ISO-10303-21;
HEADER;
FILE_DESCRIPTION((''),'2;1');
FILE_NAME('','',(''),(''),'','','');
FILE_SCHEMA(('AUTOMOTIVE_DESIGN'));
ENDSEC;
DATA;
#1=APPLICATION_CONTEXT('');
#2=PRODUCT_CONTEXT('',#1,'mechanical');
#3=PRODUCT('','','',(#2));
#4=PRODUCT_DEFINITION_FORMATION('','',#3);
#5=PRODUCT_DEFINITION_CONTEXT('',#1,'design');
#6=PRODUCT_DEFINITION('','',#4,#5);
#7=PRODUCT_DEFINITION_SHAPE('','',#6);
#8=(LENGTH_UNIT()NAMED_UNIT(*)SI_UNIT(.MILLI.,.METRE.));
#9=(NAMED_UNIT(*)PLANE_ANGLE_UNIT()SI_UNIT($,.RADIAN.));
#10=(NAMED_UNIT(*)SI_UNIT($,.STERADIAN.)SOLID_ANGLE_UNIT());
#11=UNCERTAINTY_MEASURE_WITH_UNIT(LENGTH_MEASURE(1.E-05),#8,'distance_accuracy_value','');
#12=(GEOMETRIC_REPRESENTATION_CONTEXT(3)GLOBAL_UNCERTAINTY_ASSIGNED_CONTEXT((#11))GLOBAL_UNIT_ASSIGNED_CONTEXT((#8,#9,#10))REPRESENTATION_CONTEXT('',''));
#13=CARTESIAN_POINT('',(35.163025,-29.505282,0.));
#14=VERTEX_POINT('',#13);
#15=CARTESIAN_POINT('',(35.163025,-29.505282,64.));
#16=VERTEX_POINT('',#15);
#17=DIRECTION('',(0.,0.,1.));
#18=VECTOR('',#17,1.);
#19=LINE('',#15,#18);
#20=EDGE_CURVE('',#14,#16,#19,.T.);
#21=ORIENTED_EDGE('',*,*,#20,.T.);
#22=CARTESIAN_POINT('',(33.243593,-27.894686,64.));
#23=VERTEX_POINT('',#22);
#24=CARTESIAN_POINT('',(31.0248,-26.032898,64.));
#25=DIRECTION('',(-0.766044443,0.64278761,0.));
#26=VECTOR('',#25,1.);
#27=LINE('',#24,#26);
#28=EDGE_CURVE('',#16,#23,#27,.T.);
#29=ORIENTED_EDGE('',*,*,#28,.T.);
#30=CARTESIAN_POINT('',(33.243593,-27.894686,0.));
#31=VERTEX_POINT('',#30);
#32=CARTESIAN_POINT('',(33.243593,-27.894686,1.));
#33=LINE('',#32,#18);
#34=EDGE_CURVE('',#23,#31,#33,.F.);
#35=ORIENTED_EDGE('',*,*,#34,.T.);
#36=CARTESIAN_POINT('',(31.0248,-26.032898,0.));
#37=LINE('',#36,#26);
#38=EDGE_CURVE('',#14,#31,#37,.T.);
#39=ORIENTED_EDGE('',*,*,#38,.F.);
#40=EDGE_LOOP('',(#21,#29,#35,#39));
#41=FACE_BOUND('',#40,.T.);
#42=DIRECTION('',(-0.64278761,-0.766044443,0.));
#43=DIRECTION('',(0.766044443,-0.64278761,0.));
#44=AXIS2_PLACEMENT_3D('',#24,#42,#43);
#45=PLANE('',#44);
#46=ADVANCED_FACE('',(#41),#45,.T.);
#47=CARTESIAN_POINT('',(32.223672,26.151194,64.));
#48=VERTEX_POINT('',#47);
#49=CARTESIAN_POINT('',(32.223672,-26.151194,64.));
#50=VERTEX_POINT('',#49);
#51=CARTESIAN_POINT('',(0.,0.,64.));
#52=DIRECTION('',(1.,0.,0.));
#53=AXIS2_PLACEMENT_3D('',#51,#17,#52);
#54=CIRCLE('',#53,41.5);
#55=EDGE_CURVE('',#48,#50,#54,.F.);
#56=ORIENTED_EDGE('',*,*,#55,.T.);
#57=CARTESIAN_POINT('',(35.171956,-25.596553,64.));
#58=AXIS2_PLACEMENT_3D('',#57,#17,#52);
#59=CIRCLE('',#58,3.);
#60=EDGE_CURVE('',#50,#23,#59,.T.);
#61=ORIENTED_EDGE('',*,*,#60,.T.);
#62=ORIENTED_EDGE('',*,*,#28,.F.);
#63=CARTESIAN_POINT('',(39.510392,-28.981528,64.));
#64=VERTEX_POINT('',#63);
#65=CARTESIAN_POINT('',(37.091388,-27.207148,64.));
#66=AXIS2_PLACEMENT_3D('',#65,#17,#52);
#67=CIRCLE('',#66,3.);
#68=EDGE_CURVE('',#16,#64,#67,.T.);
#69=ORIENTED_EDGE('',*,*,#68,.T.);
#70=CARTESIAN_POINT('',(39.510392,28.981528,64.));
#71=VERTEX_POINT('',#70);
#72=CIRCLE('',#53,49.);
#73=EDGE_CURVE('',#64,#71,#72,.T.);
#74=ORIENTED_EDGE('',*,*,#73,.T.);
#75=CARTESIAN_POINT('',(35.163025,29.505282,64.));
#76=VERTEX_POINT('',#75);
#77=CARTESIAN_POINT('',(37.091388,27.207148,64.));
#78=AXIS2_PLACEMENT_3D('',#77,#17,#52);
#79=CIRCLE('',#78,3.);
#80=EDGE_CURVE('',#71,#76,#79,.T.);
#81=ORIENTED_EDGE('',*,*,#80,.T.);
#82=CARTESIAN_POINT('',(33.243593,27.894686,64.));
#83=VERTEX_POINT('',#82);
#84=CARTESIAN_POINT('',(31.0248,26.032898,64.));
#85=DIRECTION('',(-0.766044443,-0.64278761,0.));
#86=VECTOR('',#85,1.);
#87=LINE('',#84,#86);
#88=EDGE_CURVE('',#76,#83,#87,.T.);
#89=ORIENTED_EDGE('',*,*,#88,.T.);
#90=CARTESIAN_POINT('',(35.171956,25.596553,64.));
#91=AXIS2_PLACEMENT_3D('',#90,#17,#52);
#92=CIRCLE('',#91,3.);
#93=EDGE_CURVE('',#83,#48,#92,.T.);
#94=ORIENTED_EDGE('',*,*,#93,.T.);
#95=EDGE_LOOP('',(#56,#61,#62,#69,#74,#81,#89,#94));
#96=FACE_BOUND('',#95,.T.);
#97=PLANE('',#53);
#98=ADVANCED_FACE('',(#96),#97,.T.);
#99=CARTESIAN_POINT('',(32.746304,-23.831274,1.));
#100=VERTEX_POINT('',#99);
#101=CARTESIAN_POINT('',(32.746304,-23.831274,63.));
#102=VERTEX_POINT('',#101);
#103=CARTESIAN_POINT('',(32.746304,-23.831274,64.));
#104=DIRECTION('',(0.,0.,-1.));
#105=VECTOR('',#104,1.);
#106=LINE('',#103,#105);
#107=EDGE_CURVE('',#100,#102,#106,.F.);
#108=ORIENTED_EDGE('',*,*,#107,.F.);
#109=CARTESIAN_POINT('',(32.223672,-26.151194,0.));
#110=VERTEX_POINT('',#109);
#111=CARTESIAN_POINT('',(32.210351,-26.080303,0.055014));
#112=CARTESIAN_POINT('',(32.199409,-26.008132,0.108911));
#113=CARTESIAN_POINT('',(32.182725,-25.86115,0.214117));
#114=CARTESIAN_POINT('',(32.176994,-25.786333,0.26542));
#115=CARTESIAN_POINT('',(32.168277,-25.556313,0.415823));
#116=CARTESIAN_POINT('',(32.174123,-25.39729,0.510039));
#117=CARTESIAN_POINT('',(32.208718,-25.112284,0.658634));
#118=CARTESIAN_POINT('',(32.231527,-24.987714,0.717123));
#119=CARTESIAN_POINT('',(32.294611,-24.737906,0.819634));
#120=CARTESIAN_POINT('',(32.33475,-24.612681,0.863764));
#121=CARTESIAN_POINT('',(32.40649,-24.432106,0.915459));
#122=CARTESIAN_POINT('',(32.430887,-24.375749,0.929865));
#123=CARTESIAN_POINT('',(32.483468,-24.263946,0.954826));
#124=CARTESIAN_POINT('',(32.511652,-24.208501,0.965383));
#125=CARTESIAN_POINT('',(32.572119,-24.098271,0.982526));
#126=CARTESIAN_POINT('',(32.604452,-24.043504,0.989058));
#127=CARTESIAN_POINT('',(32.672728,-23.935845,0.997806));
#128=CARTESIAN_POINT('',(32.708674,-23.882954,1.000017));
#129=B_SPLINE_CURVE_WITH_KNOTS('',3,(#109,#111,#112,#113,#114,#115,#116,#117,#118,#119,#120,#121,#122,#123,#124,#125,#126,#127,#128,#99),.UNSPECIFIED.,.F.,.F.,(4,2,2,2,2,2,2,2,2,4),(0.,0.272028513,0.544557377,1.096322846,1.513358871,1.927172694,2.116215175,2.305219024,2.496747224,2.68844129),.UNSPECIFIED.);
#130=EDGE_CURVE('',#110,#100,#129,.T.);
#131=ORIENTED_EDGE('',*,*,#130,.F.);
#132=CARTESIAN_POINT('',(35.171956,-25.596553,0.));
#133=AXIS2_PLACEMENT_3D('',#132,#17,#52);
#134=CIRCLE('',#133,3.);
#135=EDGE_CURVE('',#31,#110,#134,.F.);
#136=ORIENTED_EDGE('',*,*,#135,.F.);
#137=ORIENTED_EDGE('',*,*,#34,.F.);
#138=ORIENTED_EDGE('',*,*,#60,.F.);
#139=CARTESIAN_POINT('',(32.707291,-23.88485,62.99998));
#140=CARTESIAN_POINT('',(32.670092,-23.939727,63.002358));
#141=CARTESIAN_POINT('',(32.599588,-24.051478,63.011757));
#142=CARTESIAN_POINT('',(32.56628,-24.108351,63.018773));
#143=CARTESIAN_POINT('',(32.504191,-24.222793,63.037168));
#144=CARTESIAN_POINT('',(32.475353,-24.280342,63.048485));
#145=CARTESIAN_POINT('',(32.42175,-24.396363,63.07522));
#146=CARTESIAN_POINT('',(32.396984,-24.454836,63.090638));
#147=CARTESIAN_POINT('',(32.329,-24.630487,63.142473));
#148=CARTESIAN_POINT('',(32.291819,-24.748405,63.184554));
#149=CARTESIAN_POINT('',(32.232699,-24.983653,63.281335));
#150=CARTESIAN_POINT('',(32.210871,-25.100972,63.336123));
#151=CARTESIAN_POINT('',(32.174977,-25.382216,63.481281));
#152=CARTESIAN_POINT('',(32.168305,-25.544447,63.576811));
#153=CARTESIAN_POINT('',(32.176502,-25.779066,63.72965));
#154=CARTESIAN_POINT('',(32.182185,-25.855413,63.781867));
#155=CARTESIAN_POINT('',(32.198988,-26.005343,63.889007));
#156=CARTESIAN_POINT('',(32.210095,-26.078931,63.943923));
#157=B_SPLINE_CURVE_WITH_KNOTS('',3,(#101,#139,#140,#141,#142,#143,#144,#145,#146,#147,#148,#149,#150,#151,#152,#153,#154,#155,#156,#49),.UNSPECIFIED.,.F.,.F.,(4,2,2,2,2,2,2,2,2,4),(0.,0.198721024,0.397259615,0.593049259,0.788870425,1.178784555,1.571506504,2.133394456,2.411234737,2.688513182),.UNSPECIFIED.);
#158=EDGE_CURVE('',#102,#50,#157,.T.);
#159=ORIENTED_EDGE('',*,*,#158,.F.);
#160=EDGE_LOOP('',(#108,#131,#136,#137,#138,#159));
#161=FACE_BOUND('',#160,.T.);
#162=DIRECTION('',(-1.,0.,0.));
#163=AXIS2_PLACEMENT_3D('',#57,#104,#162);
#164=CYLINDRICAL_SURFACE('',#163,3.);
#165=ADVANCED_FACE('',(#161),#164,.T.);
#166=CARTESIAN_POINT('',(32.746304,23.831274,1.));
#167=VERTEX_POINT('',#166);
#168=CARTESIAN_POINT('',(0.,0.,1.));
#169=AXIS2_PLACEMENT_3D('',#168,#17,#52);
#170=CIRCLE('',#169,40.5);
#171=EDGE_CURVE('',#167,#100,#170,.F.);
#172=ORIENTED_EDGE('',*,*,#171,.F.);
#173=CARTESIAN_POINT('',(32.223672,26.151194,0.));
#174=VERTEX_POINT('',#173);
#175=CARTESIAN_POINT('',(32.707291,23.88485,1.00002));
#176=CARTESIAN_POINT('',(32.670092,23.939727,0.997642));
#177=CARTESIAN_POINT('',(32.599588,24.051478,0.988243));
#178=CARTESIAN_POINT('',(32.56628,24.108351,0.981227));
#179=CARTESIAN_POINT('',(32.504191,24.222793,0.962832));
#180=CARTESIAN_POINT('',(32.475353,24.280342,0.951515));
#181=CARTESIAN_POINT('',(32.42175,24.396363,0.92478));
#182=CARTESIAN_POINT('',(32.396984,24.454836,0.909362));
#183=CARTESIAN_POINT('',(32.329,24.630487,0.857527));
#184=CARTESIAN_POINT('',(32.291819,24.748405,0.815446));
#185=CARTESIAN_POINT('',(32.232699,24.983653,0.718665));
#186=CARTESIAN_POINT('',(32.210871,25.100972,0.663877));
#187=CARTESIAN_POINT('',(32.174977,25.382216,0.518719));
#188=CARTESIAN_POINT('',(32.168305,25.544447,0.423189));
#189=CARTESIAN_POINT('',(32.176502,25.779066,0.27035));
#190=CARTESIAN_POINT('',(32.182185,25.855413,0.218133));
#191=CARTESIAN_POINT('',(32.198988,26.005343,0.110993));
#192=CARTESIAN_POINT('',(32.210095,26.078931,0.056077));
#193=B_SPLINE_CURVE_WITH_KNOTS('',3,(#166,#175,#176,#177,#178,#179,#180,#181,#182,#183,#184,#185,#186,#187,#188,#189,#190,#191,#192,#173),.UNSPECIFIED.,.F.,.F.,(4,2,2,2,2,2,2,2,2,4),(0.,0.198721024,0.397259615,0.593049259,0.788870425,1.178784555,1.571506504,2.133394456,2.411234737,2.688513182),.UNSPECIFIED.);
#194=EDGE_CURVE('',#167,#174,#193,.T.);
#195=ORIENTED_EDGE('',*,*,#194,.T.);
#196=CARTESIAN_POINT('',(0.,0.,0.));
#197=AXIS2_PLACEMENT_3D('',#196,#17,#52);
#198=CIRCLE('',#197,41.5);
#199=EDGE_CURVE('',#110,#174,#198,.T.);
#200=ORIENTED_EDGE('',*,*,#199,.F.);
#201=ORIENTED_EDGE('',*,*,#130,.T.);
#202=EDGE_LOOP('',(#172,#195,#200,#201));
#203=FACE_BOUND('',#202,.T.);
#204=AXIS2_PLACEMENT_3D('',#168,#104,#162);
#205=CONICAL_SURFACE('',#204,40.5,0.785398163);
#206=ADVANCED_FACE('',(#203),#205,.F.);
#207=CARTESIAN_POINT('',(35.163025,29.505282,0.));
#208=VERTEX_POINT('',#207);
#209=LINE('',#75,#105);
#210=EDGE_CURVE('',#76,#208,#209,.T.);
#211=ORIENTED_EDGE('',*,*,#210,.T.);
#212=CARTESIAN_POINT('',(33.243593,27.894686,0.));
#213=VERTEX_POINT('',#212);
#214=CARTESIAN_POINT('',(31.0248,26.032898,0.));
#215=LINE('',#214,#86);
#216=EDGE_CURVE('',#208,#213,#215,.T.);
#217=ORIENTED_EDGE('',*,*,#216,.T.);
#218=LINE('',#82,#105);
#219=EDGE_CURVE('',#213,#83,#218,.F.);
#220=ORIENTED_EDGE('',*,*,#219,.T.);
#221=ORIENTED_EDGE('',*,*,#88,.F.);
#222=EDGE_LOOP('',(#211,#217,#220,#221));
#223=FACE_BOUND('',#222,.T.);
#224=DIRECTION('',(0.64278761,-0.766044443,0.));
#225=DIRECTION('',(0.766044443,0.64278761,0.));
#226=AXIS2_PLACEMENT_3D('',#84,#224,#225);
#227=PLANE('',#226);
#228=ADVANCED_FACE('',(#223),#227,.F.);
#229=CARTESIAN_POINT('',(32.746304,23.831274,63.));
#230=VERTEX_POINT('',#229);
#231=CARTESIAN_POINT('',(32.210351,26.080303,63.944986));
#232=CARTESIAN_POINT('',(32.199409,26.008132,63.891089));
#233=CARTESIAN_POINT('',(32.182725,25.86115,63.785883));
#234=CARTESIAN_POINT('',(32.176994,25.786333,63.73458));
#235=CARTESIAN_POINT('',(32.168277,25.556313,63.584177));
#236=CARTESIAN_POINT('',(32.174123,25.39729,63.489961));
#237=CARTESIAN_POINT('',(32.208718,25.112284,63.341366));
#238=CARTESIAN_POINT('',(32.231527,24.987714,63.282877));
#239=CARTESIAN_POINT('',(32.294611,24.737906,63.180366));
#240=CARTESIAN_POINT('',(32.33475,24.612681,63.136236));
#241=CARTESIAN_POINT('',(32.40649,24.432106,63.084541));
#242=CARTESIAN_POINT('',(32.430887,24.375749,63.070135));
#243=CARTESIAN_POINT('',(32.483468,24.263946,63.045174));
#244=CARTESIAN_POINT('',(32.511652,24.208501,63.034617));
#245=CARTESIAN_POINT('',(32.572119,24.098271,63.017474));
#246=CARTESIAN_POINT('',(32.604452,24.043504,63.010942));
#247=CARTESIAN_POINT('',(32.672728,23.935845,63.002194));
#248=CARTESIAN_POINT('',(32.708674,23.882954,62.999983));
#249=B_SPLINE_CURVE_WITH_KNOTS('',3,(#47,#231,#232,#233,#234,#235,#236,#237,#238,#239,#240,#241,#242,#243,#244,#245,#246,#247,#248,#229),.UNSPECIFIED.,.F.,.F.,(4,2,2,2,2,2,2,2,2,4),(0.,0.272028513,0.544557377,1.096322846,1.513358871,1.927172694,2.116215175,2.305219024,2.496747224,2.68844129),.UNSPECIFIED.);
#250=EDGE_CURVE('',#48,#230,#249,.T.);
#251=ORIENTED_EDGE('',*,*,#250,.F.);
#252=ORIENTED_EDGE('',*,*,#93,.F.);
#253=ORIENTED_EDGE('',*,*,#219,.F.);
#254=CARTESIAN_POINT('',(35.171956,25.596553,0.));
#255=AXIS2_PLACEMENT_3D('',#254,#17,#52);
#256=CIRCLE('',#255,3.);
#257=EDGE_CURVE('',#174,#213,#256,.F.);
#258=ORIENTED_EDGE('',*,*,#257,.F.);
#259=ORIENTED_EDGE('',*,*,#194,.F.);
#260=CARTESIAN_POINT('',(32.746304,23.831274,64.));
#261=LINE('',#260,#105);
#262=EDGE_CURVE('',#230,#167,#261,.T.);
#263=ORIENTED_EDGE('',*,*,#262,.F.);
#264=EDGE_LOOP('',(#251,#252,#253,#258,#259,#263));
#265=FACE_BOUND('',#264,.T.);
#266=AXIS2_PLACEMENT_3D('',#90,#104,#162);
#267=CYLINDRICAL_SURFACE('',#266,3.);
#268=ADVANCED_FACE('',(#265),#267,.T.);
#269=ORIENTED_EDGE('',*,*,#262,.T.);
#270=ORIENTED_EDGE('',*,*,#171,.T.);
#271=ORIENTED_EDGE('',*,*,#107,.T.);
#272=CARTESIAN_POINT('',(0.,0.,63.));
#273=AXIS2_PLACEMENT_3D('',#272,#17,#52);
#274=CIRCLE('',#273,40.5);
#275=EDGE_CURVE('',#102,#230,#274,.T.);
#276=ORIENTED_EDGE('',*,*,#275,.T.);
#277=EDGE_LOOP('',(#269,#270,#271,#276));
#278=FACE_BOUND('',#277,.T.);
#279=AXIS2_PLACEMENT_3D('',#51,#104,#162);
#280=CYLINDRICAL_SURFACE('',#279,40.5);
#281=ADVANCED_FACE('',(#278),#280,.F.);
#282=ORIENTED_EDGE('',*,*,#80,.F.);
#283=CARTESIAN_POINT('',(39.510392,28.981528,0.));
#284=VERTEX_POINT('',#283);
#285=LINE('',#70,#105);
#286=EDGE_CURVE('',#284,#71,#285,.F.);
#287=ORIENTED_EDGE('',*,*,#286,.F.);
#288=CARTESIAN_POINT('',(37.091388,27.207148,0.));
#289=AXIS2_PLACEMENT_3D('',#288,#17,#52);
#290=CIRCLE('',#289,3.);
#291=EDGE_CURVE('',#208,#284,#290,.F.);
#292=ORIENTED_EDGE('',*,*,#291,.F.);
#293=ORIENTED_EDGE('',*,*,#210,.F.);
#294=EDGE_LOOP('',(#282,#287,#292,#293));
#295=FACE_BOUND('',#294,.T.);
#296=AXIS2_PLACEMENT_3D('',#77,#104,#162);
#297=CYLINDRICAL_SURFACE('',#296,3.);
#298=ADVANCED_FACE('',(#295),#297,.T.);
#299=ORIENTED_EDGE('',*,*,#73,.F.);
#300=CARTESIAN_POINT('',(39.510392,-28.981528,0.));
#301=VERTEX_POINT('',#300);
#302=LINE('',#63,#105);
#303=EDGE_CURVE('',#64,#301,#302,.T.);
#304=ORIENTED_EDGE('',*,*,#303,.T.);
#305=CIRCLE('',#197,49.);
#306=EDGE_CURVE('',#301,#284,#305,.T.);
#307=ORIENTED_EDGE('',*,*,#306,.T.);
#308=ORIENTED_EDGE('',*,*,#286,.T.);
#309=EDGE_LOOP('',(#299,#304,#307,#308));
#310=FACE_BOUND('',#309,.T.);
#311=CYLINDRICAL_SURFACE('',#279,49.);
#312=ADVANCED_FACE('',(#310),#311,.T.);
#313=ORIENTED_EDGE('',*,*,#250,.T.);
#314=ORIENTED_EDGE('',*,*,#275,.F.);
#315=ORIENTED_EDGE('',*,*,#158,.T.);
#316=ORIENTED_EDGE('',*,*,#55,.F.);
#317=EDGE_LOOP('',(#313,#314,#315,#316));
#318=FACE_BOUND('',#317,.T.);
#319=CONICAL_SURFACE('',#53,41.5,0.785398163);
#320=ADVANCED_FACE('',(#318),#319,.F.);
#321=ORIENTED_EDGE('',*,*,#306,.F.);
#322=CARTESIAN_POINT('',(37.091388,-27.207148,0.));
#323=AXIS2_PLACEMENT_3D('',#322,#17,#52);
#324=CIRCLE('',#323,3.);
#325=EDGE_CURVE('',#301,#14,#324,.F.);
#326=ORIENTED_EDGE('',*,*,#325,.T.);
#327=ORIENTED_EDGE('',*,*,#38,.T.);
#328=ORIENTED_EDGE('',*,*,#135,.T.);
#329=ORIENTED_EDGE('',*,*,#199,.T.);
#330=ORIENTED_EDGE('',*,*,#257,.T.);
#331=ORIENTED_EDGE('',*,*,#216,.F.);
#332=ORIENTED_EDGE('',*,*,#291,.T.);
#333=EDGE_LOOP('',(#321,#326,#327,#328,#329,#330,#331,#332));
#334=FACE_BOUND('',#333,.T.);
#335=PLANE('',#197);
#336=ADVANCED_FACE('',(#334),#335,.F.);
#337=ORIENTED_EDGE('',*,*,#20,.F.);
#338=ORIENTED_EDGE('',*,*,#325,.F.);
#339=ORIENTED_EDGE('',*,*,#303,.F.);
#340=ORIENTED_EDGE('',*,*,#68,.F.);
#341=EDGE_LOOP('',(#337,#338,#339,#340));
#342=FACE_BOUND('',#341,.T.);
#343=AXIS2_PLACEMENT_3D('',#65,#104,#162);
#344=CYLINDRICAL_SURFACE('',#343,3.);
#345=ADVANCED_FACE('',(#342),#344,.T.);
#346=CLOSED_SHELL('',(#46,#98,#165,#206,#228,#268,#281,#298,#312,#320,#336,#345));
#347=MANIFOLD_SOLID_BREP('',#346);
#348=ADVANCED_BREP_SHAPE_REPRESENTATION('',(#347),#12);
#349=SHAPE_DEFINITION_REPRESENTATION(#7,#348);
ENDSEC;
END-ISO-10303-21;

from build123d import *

# Parameters (mm, degrees)
EXTRUSION1_DEPTH = 64
CHANFREIN1_SIZE  = 1
CONG_1_R         = 3


with BuildPart() as part:
    # Esquisse1 → Extrusion1 (new body)
    with BuildSketch(Plane.XY):
        with BuildLine():
            Line((49, 0), (40.5, 0))
            ThreePointArc((40.5, 0), (38.05755114182933, 13.851815804689483), (31.024799946318748, 26.032898192304682))
            Line((31.024799946318748, 26.032898192304682), (37.53617771283009, 31.496592874640232))
            ThreePointArc((37.53617771283009, 31.496592874640232), (46.04493841850956, 16.758987022957648), (49, 0))
        make_face()
    extrusion1 = extrude(amount=EXTRUSION1_DEPTH)

    # Symétrie1: Extrusion1 across plane
    add(extrusion1.mirror(Plane(origin=(49, 0, 64), x_dir=(0, 0, 1), z_dir=(0, 1, 0))))

    # Chanfrein1
    chanfrein1_edges = [part.edges().sort_by_distance(p)[0] for p in [
        (40.50000000000001, 3.55e-15, 64),
        (40.50000000000001, -3.55e-15, 0),
    ]]
    chamfer(chanfrein1_edges, length=CHANFREIN1_SIZE)

    # Congé1
    cong_1_edges = [part.edges().sort_by_distance(p)[0] for p in [
        (31.02479994631875, 26.032898192304682, 32),
        (37.536177712830096, 31.496592874640232, 32),
        (37.536177712830096, -31.496592874640232, 32),
        (31.02479994631875, -26.032898192304682, 32),
    ]]
    fillet(cong_1_edges, radius=CONG_1_R)


solid = part.part
